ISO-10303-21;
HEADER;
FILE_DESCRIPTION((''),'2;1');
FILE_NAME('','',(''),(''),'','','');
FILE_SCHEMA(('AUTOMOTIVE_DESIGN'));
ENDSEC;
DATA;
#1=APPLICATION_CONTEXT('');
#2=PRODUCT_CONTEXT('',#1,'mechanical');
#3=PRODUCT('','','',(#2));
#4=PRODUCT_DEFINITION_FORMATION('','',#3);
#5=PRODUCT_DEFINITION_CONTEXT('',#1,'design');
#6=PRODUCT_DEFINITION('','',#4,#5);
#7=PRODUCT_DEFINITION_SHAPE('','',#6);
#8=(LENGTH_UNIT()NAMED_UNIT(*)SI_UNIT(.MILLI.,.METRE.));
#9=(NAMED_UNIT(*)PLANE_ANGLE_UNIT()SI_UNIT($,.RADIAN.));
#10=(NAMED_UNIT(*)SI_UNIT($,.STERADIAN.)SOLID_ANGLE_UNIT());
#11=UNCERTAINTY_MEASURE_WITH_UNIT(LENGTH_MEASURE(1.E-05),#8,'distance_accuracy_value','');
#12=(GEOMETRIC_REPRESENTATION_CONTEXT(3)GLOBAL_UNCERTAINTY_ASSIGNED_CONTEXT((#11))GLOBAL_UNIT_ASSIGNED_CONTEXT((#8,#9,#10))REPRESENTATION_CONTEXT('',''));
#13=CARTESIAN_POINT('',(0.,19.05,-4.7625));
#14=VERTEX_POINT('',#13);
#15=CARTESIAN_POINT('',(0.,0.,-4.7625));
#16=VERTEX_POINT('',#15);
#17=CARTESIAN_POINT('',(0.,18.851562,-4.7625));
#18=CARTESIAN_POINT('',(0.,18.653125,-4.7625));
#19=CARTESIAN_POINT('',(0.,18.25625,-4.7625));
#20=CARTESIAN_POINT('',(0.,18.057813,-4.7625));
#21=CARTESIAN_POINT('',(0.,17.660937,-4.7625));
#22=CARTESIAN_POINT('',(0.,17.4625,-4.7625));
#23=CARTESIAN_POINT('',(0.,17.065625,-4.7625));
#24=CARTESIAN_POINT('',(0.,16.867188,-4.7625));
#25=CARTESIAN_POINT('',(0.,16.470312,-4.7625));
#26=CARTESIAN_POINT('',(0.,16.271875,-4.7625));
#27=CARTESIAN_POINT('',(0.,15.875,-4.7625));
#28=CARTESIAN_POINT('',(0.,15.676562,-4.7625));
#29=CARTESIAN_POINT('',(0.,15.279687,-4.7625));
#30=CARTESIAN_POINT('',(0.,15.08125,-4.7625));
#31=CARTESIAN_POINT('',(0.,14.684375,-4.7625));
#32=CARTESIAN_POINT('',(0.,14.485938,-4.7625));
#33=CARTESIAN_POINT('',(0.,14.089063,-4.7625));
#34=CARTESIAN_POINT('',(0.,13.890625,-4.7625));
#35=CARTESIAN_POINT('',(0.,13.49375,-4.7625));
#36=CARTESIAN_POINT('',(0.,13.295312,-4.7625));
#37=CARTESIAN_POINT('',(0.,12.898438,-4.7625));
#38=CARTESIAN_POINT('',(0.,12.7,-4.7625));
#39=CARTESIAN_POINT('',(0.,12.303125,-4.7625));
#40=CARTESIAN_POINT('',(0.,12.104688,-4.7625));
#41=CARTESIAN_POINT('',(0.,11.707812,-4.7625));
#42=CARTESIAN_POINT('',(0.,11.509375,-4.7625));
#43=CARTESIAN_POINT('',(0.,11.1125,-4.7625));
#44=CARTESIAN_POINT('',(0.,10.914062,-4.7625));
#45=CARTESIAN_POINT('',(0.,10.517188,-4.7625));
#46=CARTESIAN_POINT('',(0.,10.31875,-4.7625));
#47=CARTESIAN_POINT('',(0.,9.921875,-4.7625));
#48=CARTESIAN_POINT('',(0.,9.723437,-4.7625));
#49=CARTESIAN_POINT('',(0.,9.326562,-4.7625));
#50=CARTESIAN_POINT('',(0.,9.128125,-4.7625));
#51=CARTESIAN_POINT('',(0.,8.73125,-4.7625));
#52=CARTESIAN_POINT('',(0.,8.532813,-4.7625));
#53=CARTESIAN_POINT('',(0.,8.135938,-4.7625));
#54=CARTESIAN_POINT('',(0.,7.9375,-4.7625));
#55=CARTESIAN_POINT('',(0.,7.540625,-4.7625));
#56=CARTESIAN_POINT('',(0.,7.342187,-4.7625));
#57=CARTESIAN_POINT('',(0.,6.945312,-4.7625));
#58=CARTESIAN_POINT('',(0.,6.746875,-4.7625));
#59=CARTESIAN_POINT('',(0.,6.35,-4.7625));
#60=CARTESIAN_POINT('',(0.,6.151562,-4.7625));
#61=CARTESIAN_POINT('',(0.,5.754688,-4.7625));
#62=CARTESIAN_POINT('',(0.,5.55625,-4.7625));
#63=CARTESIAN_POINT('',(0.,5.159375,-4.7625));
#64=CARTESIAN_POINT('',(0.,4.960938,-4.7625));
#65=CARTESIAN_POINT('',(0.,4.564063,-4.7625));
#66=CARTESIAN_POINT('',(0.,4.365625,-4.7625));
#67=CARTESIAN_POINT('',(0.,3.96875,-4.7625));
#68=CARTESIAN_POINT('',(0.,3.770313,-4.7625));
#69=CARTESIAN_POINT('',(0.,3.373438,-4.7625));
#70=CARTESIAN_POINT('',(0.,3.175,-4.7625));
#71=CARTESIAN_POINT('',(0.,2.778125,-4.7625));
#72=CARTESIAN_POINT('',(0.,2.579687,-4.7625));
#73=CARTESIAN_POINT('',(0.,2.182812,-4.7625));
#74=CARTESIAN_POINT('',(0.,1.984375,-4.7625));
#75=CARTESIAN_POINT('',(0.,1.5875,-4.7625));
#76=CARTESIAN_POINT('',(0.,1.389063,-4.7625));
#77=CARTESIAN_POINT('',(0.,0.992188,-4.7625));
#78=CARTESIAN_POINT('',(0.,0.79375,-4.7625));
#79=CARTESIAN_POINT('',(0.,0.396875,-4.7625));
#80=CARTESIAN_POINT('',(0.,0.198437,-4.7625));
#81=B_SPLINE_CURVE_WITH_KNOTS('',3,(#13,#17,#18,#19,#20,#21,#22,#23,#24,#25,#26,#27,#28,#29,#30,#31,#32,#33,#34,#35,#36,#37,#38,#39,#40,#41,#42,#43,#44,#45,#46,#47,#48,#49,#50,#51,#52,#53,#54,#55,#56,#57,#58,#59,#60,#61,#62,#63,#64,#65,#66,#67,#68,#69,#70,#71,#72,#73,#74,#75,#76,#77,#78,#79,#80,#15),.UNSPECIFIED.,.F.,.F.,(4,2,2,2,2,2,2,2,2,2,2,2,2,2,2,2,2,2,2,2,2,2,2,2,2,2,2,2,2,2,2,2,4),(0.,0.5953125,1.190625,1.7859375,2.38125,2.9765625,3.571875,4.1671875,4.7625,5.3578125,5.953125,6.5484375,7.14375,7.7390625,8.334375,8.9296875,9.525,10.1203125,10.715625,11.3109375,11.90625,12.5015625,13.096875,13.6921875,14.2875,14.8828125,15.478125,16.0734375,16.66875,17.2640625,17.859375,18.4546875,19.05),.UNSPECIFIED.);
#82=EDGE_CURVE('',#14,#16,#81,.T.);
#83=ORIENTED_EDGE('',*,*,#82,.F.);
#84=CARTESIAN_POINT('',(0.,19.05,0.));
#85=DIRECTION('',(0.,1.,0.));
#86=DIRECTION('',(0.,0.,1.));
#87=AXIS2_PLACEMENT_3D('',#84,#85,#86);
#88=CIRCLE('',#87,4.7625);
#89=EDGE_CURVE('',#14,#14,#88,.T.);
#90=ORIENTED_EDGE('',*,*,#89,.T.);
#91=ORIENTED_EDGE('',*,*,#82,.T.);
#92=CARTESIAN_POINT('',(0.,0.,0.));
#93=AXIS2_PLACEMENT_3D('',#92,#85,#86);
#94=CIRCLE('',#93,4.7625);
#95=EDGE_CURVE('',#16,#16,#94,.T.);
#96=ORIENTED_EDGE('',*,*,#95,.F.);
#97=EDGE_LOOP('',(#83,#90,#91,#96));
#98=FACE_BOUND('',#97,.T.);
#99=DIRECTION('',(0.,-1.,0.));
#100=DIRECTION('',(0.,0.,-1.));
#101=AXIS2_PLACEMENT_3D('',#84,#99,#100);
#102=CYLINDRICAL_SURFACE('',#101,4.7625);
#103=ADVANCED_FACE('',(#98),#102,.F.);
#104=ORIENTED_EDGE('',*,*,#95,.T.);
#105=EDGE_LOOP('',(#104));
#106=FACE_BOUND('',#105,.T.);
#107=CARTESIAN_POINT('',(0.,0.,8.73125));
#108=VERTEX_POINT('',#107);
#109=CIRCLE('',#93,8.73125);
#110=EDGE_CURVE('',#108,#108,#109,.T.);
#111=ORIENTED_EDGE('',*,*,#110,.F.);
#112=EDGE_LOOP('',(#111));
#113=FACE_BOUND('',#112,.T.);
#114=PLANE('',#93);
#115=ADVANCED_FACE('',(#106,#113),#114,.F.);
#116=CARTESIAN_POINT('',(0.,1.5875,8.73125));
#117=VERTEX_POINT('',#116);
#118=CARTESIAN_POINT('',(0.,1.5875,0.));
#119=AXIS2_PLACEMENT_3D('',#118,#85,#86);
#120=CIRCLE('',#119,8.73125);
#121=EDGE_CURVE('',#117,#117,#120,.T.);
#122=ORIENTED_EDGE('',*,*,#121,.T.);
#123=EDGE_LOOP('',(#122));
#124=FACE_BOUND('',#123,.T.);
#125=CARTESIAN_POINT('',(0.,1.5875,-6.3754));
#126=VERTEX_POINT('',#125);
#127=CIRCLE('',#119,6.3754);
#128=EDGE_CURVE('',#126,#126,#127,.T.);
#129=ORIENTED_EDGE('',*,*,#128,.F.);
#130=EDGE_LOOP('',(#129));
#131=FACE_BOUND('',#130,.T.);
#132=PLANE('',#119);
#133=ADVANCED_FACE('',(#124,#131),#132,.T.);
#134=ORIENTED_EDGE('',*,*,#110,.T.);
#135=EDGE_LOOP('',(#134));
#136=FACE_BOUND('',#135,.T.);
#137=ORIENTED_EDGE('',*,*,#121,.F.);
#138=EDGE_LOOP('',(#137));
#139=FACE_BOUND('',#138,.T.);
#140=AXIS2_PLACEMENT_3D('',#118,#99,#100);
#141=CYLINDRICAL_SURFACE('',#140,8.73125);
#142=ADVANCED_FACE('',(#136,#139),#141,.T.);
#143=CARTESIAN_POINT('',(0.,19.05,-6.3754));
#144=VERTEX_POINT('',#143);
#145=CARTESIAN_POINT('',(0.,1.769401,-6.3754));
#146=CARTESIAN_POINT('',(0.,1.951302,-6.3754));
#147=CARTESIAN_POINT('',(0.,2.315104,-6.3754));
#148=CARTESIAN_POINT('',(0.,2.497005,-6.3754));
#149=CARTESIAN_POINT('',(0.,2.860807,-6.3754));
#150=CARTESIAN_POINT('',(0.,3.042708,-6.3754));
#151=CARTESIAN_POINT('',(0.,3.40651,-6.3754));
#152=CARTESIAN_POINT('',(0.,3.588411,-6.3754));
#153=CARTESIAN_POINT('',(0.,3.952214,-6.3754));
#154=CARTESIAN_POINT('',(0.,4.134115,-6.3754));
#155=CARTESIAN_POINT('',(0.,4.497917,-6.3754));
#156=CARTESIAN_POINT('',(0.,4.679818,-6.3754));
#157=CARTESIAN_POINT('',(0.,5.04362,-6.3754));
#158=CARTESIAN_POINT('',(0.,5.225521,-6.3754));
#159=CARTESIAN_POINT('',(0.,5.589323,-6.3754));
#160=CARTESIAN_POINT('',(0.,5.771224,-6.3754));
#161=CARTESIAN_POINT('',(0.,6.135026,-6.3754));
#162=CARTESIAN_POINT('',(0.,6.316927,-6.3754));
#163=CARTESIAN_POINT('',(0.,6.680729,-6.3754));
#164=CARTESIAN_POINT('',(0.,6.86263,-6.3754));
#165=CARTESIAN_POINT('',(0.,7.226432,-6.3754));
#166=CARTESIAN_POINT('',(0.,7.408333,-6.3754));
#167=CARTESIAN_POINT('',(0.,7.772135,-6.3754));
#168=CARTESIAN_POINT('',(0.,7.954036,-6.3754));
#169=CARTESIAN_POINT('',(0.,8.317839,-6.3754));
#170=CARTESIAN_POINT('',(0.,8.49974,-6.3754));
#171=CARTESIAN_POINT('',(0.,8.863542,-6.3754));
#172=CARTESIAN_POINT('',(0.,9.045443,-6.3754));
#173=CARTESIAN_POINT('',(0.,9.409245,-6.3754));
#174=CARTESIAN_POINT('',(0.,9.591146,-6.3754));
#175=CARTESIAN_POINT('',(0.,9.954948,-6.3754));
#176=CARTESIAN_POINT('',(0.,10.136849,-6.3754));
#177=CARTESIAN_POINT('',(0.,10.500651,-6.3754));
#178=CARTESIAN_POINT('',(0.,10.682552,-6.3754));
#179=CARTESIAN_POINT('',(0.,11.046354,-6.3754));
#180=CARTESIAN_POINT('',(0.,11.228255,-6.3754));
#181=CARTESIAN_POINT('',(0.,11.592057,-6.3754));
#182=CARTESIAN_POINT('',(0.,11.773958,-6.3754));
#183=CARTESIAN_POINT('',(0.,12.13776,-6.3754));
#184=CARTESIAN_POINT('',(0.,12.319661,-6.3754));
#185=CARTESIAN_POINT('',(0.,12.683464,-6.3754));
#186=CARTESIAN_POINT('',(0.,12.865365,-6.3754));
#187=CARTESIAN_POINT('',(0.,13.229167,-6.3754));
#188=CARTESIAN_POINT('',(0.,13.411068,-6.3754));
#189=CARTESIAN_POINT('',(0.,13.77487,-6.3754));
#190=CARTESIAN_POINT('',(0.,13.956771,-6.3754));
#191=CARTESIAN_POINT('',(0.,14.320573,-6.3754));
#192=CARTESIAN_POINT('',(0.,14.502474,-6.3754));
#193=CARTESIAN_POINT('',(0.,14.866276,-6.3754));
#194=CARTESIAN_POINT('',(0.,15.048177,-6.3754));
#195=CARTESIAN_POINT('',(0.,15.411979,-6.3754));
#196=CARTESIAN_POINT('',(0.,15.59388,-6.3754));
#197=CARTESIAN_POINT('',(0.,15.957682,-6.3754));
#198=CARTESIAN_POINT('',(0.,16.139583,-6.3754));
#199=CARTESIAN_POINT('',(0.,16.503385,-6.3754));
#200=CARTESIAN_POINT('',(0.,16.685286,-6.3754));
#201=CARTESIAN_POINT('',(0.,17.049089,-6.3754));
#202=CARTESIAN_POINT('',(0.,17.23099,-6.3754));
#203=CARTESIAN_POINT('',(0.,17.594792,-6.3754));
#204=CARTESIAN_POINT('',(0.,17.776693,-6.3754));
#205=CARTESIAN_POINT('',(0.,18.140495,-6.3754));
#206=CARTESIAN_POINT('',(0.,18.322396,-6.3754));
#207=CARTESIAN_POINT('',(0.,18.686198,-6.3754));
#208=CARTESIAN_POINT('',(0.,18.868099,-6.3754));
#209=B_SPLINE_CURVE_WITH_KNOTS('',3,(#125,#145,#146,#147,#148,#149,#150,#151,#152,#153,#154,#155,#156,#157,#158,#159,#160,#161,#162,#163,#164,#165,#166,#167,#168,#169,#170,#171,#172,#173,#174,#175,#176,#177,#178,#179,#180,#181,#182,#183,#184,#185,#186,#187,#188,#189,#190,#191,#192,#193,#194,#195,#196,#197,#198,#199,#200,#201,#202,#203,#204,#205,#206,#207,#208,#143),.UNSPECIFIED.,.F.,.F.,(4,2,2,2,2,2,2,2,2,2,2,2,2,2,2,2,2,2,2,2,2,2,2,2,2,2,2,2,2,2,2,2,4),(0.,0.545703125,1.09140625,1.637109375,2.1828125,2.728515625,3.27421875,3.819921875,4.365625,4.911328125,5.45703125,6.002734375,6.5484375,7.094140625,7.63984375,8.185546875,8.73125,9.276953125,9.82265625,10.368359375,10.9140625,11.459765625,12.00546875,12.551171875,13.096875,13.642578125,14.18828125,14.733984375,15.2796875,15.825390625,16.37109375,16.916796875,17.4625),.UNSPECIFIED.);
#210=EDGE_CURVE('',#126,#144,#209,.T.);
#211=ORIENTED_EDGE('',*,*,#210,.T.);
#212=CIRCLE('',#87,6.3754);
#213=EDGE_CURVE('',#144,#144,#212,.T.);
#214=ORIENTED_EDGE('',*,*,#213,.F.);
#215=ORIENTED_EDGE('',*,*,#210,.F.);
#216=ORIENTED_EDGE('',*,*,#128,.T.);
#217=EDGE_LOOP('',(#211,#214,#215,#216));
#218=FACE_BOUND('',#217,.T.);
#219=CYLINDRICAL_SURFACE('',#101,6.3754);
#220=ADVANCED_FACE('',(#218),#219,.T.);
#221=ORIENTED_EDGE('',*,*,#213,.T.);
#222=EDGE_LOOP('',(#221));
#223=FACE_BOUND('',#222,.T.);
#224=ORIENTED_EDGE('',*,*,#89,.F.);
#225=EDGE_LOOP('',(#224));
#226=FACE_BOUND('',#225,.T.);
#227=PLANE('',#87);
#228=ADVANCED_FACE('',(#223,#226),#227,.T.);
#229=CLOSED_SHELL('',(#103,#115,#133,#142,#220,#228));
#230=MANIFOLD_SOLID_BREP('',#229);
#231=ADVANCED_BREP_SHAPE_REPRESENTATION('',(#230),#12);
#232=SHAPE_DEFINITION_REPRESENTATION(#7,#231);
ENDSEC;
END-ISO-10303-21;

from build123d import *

# Parameters (mm, degrees)
SKETCH2_R           = 6.3754
SKETCH2_R_2         = 4.7625
BOSS_EXTRUDE1_DEPTH = 19.05
SKETCH3_R           = 8.73125
SKETCH3_R_2         = 6.3754
BOSS_EXTRUDE2_DEPTH = 1.5875


with BuildPart() as part:
    # Sketch2 → Boss-Extrude1 (new body)
    with BuildSketch(Plane(origin=(0, 0, 0), x_dir=(1, 0, 0), z_dir=(0, 1, 0))):
        with Locations(Location((0, 0, 0), (0, 0, 90))):
            Circle(SKETCH2_R)
        with Locations(Location((0, 0, 0), (0, 0, 90))):
            Circle(SKETCH2_R_2, mode=Mode.SUBTRACT)
    extrude(amount=BOSS_EXTRUDE1_DEPTH)

    # Sketch3 → Boss-Extrude2 (add)
    with BuildSketch(Plane(origin=(0, 0, 0), x_dir=(1, 0, 0), z_dir=(0, 1, 0))):
        with Locations(Location((0, 0, 0), (0, 0, 270))):
            Circle(SKETCH3_R)
        with Locations(Location((0, 0, 0), (0, 0, 90))):
            Circle(SKETCH3_R_2, mode=Mode.SUBTRACT)
    extrude(amount=BOSS_EXTRUDE2_DEPTH)


solid = part.part
